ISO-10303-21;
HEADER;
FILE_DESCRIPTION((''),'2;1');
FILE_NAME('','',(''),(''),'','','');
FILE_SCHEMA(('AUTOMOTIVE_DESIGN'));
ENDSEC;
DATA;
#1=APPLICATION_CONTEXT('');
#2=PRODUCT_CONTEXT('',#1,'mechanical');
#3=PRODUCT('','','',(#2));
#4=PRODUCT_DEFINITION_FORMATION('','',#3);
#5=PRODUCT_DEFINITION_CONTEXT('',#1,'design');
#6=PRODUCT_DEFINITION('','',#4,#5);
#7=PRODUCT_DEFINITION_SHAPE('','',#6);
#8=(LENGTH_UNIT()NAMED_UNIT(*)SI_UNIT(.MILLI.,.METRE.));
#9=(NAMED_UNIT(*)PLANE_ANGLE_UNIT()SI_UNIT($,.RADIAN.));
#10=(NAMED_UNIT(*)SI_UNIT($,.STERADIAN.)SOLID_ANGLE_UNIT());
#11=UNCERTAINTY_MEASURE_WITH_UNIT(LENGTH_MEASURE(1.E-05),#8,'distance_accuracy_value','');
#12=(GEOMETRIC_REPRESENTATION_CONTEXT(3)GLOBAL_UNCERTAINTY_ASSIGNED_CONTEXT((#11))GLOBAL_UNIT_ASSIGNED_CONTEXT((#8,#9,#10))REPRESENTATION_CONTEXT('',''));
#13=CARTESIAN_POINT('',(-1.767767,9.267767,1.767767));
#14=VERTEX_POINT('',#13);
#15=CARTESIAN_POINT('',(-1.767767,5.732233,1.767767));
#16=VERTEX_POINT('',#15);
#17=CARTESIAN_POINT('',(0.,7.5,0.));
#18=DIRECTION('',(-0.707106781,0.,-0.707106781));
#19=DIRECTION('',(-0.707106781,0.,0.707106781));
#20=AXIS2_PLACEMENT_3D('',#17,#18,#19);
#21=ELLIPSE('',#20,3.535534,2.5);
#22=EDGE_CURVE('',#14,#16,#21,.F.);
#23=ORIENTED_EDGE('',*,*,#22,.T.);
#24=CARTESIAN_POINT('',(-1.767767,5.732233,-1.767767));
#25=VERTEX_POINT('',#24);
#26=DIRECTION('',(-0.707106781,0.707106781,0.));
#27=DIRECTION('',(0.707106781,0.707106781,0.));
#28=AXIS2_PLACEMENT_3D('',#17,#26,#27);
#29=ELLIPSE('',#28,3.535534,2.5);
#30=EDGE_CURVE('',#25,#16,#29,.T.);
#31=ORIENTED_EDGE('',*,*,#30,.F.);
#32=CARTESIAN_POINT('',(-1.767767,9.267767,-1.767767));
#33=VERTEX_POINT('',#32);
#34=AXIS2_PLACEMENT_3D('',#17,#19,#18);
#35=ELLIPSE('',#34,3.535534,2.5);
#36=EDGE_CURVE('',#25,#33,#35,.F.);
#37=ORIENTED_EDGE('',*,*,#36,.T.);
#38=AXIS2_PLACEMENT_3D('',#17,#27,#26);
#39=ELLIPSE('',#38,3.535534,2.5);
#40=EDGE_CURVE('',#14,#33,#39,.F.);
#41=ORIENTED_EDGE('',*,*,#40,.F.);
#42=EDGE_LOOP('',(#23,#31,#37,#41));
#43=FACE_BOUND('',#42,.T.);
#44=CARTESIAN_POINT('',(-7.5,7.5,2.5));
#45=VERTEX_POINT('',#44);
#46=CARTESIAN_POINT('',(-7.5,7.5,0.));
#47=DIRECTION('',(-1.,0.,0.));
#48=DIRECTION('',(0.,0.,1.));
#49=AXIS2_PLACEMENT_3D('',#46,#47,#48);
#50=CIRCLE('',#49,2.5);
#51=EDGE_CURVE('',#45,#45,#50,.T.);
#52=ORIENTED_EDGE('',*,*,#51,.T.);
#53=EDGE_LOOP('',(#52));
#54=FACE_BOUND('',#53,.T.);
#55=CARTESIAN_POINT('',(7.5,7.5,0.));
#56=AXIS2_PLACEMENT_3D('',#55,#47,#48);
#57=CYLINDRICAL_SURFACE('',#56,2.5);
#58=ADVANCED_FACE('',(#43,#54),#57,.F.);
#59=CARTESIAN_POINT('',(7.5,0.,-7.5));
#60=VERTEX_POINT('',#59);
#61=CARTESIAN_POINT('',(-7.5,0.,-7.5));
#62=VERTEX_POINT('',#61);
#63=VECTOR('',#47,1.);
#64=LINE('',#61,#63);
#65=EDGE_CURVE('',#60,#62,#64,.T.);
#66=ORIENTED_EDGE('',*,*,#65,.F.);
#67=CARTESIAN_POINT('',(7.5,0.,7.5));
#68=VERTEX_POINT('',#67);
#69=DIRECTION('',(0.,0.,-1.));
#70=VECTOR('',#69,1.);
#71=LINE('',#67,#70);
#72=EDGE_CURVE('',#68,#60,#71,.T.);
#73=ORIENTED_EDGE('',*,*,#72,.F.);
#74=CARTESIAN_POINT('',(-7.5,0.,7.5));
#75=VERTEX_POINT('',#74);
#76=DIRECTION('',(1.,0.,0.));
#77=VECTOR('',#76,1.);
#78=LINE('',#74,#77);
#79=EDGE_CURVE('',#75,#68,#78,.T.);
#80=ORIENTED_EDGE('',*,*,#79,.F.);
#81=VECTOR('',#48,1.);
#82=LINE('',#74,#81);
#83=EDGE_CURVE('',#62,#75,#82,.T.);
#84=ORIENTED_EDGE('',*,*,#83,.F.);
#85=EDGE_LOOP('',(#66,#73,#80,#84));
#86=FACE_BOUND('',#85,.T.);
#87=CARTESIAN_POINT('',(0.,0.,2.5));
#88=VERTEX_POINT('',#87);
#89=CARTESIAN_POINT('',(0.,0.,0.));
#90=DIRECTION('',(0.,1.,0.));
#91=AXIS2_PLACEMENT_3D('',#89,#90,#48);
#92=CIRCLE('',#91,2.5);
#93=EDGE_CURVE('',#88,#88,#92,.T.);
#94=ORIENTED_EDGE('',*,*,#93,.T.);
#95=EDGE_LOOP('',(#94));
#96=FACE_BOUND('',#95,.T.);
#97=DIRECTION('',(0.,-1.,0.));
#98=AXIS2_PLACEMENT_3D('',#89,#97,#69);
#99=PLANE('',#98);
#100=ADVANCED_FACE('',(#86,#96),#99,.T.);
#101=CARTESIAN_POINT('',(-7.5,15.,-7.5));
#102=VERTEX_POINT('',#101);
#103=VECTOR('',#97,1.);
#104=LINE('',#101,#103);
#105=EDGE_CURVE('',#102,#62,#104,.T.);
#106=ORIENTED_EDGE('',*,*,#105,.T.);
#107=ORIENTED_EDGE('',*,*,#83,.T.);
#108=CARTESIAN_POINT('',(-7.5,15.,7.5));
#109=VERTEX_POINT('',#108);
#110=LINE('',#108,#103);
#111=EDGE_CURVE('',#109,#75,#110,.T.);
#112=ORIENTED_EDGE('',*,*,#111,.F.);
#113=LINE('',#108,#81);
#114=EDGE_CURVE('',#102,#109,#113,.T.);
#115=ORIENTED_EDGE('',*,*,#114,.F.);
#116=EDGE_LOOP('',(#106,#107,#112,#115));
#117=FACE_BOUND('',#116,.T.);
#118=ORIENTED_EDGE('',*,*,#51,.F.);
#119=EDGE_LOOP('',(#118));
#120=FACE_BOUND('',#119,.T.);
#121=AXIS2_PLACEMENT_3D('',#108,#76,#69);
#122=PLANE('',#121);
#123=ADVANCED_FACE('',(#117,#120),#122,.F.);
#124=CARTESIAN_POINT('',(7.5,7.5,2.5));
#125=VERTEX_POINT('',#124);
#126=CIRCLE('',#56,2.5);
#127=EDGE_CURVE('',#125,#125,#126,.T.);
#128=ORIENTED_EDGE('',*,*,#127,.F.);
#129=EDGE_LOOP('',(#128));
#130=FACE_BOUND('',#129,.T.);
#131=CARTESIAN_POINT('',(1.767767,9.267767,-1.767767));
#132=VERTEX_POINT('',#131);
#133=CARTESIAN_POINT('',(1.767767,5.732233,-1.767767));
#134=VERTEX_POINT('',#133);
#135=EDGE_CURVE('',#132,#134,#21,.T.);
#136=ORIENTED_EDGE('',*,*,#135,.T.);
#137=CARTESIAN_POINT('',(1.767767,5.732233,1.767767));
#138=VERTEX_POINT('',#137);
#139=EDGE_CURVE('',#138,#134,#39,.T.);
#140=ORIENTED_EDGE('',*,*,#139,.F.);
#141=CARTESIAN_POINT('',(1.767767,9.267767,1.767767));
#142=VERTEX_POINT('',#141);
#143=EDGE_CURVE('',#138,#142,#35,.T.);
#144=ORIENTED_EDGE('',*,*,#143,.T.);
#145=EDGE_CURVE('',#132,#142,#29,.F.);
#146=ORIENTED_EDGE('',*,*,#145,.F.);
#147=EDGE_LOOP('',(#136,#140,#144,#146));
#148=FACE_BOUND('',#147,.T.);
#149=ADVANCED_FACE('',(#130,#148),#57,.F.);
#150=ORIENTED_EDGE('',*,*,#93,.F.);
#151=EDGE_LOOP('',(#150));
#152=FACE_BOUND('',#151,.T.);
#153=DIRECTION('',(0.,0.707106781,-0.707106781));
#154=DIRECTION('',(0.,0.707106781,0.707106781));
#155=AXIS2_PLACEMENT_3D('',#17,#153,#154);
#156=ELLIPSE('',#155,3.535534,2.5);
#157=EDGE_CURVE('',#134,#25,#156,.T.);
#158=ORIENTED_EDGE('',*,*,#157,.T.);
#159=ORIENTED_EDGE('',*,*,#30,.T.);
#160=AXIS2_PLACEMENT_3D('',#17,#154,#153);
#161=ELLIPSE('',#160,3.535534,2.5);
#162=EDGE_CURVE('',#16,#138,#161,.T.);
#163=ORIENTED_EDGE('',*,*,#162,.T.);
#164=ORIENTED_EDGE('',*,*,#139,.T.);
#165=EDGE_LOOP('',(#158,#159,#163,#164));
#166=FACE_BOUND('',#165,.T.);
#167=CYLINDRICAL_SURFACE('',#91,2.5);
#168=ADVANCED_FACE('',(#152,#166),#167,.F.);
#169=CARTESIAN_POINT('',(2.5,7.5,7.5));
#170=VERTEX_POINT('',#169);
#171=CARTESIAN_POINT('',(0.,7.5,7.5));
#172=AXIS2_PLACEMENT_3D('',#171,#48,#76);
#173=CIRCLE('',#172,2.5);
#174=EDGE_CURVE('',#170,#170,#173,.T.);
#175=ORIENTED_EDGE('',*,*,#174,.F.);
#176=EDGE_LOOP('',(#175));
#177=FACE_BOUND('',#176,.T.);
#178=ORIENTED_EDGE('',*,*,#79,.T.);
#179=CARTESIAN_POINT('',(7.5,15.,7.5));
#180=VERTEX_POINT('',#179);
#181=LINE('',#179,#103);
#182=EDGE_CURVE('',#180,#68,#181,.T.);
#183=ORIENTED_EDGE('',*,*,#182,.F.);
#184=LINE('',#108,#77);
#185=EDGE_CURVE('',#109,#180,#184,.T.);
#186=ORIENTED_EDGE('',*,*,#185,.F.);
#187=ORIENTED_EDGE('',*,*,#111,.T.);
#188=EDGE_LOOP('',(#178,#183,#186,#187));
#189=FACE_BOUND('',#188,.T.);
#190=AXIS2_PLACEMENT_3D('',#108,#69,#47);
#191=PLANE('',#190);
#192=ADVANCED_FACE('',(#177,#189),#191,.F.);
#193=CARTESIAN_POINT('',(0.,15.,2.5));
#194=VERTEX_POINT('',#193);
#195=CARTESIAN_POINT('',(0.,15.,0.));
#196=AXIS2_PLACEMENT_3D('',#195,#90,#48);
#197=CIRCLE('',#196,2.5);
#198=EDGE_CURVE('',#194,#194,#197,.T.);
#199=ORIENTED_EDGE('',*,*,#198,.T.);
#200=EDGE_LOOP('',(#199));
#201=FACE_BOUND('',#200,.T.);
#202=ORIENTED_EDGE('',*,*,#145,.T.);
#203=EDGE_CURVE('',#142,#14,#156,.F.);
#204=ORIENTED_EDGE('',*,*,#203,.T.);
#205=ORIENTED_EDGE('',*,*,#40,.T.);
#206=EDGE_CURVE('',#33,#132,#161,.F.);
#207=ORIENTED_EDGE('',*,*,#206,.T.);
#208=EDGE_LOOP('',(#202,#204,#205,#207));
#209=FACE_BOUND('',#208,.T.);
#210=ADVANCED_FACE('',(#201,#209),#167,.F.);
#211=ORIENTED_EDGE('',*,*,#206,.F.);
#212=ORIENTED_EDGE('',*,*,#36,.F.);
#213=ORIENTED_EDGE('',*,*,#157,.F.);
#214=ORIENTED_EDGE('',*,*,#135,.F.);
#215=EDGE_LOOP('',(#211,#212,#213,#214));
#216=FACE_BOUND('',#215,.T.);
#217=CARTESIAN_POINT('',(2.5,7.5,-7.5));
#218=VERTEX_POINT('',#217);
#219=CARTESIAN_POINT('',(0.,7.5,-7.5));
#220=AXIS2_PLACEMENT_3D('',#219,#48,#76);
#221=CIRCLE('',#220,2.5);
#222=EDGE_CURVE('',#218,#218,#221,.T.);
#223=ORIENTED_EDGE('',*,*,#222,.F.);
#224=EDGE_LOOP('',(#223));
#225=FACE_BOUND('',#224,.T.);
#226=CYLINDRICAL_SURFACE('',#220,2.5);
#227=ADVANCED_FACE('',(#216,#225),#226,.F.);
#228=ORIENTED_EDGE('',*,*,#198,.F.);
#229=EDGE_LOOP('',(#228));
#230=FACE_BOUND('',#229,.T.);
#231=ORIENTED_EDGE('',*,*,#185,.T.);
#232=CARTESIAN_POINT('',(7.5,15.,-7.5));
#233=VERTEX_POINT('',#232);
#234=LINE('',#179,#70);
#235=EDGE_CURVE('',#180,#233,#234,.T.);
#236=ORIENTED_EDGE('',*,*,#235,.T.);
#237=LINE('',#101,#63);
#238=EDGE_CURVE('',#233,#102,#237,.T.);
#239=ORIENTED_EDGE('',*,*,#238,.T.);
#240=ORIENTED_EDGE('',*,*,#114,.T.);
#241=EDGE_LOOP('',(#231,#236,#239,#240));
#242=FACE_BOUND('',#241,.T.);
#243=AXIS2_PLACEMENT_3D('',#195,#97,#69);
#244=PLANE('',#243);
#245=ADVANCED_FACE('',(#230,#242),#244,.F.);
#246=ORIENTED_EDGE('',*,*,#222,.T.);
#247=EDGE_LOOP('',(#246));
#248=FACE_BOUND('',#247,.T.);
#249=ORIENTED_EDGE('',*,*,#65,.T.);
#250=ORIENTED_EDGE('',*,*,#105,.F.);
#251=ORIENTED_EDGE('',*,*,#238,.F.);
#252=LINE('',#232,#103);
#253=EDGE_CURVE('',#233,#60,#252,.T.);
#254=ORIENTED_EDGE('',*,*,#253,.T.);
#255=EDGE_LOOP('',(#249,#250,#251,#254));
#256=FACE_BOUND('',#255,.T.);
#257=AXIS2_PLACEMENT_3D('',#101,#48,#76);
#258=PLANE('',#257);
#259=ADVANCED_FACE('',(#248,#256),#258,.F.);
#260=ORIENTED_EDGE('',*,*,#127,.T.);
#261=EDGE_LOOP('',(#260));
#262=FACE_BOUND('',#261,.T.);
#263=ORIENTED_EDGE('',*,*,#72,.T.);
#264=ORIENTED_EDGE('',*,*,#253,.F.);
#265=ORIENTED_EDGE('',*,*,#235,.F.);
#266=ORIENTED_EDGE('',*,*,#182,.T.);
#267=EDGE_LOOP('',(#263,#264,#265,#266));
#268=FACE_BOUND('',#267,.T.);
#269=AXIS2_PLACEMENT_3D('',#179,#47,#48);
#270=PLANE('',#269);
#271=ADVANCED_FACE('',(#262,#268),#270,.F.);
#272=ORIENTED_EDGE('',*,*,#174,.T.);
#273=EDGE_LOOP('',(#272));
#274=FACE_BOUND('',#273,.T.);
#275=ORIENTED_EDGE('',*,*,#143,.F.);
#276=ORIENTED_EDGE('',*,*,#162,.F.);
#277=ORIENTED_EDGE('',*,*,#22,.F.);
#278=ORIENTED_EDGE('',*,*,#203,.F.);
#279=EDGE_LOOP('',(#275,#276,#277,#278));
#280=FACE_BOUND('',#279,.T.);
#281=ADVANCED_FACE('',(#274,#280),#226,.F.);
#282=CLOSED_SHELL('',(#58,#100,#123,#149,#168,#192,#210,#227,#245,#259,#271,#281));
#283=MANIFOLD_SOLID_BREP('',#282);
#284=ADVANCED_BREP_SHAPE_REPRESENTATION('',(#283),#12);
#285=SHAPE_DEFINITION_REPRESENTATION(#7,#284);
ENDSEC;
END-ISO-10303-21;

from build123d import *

# Parameters (mm, degrees)
SKETCH1_W           = 15
SKETCH1_H           = 15
BOSS_EXTRUDE1_DEPTH = 15
SKETCH3_R           = 2.5
CUT_EXTRUDE1_DEPTH  = 19.371173071
SKETCH4_R           = 2.5
CUT_EXTRUDE2_DEPTH  = 23.5
SKETCH5_R           = 2.5
CUT_EXTRUDE3_DEPTH  = 23.5


with BuildPart() as part:
    # Sketch1 → Boss-Extrude1 (new body)
    with BuildSketch(Plane(origin=(0, 0, 0), x_dir=(1, 0, 0), z_dir=(0, 1, 0))):
        Rectangle(SKETCH1_W, SKETCH1_H)
    extrude(amount=BOSS_EXTRUDE1_DEPTH)

    # Sketch3 → Cut-Extrude1 (cut, through all)
    with BuildSketch(Plane(origin=(0, 15, 0), x_dir=(1, 0, 0), z_dir=(0, 1, 0))):
        with Locations(Location((0, 0, 0), (0, 0, 270))):
            Circle(SKETCH3_R)
    extrude(amount=-CUT_EXTRUDE1_DEPTH, mode=Mode.SUBTRACT)

    # Sketch4 → Cut-Extrude2 (cut, through all)
    with BuildSketch(Plane.ZY.offset(7.5)):
        with Locations((0, 7.5)):
            Circle(SKETCH4_R)
    extrude(amount=-CUT_EXTRUDE2_DEPTH, mode=Mode.SUBTRACT)

    # Sketch5 → Cut-Extrude3 (cut, through all)
    with BuildSketch(Plane.XY.offset(7.5)):
        with Locations((0, 7.5)):
            Circle(SKETCH5_R)
    extrude(amount=-CUT_EXTRUDE3_DEPTH, mode=Mode.SUBTRACT)


solid = part.part
